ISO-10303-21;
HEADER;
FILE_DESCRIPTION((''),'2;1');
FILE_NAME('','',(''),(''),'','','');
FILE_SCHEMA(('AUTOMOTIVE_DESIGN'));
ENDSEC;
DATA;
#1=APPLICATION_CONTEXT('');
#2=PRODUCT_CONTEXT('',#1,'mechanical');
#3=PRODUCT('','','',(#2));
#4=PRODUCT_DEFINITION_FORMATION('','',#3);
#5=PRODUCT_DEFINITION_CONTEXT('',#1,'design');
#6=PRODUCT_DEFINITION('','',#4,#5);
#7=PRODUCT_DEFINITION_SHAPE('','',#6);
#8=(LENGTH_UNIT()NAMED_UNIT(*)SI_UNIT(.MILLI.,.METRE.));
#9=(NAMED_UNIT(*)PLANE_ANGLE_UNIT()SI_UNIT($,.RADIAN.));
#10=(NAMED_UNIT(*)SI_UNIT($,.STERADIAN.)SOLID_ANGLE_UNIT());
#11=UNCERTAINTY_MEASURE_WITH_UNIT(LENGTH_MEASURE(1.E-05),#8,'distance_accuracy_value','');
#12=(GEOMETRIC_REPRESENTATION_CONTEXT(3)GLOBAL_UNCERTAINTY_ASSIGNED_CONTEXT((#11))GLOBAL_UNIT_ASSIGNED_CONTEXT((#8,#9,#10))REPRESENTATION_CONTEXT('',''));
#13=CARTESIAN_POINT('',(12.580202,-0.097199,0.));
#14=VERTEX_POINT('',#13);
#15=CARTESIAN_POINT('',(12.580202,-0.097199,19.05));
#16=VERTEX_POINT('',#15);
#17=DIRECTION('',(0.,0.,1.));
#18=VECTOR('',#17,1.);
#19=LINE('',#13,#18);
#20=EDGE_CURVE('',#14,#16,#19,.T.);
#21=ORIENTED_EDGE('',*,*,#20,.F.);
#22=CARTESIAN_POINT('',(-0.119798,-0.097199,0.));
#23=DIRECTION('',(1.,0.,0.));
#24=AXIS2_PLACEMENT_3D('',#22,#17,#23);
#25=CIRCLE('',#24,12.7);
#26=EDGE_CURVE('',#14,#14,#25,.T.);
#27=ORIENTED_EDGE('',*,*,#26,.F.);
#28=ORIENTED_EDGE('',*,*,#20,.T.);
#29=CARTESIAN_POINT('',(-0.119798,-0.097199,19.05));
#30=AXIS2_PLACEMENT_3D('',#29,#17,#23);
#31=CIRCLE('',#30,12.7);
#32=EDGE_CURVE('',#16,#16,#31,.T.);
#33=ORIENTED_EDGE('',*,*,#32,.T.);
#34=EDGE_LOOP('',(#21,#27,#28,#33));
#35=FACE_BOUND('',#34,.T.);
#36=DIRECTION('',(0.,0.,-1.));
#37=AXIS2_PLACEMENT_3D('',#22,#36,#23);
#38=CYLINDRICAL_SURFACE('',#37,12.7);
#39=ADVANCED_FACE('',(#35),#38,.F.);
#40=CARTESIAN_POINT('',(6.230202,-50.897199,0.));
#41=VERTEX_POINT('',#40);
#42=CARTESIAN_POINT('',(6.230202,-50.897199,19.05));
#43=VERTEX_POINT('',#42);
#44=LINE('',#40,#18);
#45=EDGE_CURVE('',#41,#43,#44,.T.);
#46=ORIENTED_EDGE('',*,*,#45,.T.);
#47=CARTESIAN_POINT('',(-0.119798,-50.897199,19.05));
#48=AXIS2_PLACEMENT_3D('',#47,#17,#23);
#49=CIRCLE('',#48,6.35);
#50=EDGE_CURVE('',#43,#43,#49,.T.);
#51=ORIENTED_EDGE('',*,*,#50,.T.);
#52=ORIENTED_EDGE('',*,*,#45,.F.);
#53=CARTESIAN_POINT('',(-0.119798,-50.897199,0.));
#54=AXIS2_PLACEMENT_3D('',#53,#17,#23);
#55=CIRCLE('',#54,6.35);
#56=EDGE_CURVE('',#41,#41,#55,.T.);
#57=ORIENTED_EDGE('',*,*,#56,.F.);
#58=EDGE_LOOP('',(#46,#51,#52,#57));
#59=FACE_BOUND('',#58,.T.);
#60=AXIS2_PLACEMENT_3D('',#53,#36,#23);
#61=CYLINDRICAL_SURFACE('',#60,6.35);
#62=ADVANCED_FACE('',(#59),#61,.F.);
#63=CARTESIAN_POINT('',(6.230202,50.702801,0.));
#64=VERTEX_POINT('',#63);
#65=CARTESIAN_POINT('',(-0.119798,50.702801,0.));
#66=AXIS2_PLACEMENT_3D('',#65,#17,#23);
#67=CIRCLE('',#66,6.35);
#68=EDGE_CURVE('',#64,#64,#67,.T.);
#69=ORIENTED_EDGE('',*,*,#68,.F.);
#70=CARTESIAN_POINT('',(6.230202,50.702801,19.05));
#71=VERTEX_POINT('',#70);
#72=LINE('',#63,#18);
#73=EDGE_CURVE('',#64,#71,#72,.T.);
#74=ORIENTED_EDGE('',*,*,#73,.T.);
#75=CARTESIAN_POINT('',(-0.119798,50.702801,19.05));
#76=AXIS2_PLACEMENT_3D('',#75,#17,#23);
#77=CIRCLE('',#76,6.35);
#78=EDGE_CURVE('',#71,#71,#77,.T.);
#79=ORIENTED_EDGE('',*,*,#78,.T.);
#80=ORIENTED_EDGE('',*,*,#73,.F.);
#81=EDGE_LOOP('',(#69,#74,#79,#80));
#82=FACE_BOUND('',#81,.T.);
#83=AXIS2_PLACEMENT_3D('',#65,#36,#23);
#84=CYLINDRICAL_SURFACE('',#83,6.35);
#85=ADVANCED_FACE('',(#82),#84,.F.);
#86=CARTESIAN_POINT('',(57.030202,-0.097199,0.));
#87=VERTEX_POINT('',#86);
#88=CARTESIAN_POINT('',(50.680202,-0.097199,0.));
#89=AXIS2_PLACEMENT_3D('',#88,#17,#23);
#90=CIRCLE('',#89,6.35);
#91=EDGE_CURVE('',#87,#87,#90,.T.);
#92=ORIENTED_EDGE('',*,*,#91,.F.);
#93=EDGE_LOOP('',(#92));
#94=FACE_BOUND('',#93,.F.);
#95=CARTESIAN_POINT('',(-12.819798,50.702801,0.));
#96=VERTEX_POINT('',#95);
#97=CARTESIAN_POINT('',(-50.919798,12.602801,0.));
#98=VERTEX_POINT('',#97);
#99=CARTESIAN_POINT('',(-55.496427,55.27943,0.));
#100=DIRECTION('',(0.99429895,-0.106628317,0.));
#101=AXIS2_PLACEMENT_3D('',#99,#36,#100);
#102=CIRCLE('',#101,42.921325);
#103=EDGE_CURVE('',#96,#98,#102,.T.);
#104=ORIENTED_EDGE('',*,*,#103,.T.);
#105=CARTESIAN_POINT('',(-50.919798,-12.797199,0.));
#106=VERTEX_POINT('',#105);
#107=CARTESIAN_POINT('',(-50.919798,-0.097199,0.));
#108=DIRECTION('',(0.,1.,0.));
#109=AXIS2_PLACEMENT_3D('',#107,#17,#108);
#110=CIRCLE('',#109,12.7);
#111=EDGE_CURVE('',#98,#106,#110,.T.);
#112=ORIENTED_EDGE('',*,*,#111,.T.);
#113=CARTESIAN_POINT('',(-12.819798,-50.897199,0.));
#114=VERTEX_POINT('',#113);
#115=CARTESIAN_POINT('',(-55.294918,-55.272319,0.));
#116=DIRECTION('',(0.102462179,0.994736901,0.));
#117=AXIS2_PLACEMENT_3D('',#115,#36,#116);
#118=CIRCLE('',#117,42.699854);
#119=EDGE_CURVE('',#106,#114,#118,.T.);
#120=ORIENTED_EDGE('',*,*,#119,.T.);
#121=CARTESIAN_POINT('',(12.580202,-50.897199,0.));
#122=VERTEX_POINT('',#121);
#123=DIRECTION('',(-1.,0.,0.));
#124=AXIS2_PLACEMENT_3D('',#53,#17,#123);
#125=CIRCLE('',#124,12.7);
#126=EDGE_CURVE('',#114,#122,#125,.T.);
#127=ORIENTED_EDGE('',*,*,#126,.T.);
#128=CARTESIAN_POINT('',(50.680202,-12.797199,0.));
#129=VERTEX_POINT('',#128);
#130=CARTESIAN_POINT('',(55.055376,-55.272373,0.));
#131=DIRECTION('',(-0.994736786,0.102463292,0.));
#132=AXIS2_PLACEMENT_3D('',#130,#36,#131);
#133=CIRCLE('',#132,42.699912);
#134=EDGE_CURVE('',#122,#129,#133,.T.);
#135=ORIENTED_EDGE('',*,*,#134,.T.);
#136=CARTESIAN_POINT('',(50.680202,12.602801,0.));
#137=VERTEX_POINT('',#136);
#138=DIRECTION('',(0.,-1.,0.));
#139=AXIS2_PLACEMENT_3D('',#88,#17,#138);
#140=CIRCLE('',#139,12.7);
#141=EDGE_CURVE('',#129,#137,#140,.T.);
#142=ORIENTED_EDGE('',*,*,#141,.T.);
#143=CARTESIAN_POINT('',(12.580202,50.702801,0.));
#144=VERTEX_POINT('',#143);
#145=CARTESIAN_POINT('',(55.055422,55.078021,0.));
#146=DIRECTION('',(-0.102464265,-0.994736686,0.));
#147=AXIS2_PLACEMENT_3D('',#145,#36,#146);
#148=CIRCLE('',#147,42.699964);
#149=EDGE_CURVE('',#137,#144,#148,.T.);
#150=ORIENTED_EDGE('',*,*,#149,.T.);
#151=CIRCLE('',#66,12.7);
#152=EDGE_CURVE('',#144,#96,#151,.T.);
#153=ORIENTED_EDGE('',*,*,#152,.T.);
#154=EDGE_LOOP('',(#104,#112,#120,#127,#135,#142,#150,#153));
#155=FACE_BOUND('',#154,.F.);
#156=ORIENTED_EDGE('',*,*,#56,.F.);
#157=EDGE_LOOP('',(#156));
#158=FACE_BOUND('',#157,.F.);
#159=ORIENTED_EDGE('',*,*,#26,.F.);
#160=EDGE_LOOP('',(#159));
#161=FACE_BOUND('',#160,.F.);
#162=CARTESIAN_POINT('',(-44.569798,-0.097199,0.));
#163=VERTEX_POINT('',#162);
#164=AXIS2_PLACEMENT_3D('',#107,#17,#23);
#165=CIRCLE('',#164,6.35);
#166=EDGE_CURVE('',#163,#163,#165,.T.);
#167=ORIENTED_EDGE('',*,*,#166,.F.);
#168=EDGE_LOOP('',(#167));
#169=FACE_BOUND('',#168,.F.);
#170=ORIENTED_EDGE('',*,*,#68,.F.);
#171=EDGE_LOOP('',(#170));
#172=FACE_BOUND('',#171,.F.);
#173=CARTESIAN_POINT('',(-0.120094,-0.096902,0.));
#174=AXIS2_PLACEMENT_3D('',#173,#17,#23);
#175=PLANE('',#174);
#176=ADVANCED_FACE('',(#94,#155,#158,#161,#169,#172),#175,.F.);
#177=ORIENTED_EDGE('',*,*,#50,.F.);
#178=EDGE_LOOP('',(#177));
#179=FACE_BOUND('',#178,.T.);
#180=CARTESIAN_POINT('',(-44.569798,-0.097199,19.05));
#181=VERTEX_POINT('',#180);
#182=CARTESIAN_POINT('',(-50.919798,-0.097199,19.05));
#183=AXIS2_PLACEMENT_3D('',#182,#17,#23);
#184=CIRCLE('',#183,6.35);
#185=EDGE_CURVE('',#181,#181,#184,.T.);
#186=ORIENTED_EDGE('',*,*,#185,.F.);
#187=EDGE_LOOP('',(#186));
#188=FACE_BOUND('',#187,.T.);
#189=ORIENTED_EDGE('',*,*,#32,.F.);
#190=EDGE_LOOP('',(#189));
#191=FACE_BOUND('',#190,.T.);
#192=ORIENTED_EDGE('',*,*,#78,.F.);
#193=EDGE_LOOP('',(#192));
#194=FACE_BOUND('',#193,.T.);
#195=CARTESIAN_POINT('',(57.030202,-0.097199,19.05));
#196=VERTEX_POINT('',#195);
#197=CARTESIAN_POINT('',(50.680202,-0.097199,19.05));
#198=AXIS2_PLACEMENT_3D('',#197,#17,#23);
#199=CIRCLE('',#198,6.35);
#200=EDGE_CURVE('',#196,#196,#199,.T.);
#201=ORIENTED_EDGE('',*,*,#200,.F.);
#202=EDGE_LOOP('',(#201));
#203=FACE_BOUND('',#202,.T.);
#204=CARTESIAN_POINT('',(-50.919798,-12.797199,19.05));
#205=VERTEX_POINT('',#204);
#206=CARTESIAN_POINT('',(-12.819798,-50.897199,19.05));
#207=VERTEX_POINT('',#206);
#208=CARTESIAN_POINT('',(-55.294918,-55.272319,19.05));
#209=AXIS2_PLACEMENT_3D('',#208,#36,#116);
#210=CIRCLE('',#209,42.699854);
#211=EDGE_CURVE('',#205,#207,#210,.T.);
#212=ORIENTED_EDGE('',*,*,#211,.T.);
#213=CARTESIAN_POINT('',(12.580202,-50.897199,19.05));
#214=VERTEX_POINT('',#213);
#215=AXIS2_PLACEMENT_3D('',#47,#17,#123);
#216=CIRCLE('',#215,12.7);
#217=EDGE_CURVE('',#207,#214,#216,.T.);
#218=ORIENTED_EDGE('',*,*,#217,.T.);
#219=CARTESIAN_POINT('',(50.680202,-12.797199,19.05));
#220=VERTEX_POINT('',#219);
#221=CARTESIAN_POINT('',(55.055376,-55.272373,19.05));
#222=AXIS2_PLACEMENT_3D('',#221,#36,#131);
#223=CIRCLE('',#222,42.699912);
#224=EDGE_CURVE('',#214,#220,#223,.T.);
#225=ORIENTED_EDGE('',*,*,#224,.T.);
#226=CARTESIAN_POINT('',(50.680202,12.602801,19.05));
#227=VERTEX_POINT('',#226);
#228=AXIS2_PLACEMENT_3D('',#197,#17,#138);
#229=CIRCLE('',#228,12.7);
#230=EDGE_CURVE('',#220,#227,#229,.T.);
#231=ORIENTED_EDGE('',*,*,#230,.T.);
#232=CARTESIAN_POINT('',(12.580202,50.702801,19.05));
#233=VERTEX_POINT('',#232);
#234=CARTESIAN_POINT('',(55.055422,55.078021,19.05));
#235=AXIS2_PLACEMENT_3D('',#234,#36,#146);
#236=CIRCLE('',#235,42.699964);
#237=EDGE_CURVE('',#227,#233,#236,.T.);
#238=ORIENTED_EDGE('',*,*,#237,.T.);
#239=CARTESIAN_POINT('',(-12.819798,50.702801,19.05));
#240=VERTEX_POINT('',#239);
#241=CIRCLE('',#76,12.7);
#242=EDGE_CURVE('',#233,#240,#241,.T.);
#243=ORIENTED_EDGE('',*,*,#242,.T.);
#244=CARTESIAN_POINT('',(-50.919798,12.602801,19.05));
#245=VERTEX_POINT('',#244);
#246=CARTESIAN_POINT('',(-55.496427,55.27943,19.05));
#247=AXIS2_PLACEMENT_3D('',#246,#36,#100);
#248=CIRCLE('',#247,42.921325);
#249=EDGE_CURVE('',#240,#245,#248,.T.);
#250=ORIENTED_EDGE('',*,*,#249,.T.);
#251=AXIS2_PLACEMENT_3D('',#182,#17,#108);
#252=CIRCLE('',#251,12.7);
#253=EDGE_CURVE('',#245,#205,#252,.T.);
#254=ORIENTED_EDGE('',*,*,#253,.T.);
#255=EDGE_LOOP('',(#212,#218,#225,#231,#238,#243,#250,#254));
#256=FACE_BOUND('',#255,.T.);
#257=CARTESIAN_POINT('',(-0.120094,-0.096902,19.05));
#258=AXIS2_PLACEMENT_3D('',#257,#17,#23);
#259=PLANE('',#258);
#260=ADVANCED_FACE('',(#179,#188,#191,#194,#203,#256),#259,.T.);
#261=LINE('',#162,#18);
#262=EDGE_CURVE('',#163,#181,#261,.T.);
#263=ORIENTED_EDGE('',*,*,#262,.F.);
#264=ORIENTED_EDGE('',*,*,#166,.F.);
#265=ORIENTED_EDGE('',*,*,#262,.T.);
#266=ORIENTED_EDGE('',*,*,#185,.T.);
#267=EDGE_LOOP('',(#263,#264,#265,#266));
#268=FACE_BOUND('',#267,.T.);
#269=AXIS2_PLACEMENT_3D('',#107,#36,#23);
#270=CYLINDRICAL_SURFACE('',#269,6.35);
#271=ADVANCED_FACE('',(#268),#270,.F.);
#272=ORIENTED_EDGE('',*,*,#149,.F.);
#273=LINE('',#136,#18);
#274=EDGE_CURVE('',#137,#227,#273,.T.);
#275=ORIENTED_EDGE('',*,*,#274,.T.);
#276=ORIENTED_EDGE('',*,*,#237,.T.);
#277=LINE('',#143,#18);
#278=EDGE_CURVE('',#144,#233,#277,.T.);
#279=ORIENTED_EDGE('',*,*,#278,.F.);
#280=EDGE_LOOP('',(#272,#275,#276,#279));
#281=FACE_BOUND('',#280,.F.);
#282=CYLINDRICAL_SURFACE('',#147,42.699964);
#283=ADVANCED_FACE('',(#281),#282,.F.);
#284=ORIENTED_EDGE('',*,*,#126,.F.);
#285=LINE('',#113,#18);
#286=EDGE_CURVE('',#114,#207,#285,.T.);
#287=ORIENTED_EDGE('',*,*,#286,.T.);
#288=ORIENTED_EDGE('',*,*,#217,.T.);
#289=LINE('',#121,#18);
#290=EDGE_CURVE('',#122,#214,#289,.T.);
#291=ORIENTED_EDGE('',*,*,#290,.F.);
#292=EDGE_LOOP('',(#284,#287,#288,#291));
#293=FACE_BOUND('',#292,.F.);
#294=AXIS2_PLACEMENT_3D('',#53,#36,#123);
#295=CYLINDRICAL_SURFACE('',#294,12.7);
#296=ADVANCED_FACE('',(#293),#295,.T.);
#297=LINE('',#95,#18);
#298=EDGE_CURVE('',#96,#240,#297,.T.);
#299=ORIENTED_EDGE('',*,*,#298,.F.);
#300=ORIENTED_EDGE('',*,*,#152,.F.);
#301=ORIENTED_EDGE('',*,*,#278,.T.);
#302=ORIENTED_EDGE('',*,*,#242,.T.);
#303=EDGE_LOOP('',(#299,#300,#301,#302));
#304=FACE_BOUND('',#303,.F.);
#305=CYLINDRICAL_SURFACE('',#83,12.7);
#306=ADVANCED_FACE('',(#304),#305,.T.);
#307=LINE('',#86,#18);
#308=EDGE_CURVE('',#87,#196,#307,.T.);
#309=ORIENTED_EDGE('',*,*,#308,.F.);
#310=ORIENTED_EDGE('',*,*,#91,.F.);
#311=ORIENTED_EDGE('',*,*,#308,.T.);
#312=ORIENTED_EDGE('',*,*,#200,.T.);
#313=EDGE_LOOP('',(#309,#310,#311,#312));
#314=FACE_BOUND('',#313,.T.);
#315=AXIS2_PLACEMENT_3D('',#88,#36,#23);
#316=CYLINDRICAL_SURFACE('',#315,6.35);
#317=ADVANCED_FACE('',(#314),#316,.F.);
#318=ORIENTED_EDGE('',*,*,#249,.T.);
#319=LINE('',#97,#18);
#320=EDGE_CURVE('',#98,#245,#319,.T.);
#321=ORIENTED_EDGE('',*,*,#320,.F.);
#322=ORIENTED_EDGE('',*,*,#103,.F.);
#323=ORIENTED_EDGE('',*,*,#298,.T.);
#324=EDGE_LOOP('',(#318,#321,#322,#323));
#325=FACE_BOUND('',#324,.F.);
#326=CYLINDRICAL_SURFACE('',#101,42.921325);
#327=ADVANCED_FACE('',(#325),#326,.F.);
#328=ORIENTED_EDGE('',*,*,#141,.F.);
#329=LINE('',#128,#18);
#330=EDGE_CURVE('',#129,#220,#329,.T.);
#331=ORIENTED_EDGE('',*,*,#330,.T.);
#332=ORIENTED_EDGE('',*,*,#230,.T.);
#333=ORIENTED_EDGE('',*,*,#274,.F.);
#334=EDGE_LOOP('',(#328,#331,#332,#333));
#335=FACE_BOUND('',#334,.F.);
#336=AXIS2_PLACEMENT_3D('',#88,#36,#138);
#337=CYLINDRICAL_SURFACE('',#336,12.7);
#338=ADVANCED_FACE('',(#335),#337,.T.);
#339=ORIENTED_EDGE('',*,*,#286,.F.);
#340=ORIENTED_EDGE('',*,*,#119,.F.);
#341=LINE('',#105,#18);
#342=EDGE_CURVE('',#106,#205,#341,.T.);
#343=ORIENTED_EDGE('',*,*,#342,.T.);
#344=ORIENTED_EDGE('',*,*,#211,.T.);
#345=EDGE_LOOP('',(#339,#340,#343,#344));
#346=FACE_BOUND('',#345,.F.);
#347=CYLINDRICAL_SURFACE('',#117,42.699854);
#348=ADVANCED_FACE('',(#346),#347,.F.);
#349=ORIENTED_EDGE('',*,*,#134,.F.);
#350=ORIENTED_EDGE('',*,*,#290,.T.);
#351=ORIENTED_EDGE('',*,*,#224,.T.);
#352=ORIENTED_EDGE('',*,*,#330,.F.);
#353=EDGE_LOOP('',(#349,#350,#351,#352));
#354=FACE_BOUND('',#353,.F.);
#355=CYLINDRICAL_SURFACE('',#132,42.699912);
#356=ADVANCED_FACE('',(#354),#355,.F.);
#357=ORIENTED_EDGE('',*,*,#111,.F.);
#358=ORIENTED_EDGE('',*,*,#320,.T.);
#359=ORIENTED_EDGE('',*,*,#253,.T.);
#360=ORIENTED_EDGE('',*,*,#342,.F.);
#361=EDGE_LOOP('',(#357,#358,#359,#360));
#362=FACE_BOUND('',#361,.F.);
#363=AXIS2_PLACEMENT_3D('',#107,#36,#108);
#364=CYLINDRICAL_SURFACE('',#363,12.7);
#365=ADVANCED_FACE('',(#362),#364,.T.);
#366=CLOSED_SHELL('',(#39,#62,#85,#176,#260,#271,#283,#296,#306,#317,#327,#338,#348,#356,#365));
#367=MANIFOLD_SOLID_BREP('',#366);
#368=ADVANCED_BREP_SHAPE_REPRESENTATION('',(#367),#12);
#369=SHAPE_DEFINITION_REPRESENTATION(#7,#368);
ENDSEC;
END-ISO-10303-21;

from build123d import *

# Parameters (mm, degrees)
F0_R     = 6.35
F0_R_2   = 12.7
F1_DEPTH = 19.05


with BuildPart() as f1:
    # F0 (on Top) → F1 (new body)
    with BuildSketch(Plane.XY):
        with BuildLine():
            ThreePointArc((-12.819798, 50.702801), (-25.146467, 24.929469), (-50.919798, 12.602801))
            ThreePointArc((-50.919798, 12.602801), (-63.619798, -0.097199), (-50.919798, -12.797199))
            ThreePointArc((-50.919798, -12.797199), (-25.101562, -25.078963), (-12.819798, -50.897199))
            ThreePointArc((-12.819798, -50.897199), (-0.119798, -63.597199), (12.580202, -50.897199))
            ThreePointArc((12.580202, -50.897199), (24.861978, -25.078975), (50.680202, -12.797199))
            ThreePointArc((50.680202, -12.797199), (63.380202, -0.097199), (50.680202, 12.602801))
            ThreePointArc((50.680202, 12.602801), (24.861988, 24.884588), (12.580202, 50.702801))
            ThreePointArc((12.580202, 50.702801), (-0.119798, 63.402801), (-12.819798, 50.702801))
        make_face()
        with Locations((-0.119798, -50.897199)):
            Circle(F0_R, mode=Mode.SUBTRACT)
        with Locations((-50.919798, -0.097199)):
            Circle(F0_R, mode=Mode.SUBTRACT)
        with Locations((-0.119798, -0.097199)):
            Circle(F0_R_2, mode=Mode.SUBTRACT)
        with Locations((-0.119798, 50.702801)):
            Circle(F0_R, mode=Mode.SUBTRACT)
        with Locations((50.680202, -0.097199)):
            Circle(F0_R, mode=Mode.SUBTRACT)
    extrude(amount=F1_DEPTH)


solid = f1.part
